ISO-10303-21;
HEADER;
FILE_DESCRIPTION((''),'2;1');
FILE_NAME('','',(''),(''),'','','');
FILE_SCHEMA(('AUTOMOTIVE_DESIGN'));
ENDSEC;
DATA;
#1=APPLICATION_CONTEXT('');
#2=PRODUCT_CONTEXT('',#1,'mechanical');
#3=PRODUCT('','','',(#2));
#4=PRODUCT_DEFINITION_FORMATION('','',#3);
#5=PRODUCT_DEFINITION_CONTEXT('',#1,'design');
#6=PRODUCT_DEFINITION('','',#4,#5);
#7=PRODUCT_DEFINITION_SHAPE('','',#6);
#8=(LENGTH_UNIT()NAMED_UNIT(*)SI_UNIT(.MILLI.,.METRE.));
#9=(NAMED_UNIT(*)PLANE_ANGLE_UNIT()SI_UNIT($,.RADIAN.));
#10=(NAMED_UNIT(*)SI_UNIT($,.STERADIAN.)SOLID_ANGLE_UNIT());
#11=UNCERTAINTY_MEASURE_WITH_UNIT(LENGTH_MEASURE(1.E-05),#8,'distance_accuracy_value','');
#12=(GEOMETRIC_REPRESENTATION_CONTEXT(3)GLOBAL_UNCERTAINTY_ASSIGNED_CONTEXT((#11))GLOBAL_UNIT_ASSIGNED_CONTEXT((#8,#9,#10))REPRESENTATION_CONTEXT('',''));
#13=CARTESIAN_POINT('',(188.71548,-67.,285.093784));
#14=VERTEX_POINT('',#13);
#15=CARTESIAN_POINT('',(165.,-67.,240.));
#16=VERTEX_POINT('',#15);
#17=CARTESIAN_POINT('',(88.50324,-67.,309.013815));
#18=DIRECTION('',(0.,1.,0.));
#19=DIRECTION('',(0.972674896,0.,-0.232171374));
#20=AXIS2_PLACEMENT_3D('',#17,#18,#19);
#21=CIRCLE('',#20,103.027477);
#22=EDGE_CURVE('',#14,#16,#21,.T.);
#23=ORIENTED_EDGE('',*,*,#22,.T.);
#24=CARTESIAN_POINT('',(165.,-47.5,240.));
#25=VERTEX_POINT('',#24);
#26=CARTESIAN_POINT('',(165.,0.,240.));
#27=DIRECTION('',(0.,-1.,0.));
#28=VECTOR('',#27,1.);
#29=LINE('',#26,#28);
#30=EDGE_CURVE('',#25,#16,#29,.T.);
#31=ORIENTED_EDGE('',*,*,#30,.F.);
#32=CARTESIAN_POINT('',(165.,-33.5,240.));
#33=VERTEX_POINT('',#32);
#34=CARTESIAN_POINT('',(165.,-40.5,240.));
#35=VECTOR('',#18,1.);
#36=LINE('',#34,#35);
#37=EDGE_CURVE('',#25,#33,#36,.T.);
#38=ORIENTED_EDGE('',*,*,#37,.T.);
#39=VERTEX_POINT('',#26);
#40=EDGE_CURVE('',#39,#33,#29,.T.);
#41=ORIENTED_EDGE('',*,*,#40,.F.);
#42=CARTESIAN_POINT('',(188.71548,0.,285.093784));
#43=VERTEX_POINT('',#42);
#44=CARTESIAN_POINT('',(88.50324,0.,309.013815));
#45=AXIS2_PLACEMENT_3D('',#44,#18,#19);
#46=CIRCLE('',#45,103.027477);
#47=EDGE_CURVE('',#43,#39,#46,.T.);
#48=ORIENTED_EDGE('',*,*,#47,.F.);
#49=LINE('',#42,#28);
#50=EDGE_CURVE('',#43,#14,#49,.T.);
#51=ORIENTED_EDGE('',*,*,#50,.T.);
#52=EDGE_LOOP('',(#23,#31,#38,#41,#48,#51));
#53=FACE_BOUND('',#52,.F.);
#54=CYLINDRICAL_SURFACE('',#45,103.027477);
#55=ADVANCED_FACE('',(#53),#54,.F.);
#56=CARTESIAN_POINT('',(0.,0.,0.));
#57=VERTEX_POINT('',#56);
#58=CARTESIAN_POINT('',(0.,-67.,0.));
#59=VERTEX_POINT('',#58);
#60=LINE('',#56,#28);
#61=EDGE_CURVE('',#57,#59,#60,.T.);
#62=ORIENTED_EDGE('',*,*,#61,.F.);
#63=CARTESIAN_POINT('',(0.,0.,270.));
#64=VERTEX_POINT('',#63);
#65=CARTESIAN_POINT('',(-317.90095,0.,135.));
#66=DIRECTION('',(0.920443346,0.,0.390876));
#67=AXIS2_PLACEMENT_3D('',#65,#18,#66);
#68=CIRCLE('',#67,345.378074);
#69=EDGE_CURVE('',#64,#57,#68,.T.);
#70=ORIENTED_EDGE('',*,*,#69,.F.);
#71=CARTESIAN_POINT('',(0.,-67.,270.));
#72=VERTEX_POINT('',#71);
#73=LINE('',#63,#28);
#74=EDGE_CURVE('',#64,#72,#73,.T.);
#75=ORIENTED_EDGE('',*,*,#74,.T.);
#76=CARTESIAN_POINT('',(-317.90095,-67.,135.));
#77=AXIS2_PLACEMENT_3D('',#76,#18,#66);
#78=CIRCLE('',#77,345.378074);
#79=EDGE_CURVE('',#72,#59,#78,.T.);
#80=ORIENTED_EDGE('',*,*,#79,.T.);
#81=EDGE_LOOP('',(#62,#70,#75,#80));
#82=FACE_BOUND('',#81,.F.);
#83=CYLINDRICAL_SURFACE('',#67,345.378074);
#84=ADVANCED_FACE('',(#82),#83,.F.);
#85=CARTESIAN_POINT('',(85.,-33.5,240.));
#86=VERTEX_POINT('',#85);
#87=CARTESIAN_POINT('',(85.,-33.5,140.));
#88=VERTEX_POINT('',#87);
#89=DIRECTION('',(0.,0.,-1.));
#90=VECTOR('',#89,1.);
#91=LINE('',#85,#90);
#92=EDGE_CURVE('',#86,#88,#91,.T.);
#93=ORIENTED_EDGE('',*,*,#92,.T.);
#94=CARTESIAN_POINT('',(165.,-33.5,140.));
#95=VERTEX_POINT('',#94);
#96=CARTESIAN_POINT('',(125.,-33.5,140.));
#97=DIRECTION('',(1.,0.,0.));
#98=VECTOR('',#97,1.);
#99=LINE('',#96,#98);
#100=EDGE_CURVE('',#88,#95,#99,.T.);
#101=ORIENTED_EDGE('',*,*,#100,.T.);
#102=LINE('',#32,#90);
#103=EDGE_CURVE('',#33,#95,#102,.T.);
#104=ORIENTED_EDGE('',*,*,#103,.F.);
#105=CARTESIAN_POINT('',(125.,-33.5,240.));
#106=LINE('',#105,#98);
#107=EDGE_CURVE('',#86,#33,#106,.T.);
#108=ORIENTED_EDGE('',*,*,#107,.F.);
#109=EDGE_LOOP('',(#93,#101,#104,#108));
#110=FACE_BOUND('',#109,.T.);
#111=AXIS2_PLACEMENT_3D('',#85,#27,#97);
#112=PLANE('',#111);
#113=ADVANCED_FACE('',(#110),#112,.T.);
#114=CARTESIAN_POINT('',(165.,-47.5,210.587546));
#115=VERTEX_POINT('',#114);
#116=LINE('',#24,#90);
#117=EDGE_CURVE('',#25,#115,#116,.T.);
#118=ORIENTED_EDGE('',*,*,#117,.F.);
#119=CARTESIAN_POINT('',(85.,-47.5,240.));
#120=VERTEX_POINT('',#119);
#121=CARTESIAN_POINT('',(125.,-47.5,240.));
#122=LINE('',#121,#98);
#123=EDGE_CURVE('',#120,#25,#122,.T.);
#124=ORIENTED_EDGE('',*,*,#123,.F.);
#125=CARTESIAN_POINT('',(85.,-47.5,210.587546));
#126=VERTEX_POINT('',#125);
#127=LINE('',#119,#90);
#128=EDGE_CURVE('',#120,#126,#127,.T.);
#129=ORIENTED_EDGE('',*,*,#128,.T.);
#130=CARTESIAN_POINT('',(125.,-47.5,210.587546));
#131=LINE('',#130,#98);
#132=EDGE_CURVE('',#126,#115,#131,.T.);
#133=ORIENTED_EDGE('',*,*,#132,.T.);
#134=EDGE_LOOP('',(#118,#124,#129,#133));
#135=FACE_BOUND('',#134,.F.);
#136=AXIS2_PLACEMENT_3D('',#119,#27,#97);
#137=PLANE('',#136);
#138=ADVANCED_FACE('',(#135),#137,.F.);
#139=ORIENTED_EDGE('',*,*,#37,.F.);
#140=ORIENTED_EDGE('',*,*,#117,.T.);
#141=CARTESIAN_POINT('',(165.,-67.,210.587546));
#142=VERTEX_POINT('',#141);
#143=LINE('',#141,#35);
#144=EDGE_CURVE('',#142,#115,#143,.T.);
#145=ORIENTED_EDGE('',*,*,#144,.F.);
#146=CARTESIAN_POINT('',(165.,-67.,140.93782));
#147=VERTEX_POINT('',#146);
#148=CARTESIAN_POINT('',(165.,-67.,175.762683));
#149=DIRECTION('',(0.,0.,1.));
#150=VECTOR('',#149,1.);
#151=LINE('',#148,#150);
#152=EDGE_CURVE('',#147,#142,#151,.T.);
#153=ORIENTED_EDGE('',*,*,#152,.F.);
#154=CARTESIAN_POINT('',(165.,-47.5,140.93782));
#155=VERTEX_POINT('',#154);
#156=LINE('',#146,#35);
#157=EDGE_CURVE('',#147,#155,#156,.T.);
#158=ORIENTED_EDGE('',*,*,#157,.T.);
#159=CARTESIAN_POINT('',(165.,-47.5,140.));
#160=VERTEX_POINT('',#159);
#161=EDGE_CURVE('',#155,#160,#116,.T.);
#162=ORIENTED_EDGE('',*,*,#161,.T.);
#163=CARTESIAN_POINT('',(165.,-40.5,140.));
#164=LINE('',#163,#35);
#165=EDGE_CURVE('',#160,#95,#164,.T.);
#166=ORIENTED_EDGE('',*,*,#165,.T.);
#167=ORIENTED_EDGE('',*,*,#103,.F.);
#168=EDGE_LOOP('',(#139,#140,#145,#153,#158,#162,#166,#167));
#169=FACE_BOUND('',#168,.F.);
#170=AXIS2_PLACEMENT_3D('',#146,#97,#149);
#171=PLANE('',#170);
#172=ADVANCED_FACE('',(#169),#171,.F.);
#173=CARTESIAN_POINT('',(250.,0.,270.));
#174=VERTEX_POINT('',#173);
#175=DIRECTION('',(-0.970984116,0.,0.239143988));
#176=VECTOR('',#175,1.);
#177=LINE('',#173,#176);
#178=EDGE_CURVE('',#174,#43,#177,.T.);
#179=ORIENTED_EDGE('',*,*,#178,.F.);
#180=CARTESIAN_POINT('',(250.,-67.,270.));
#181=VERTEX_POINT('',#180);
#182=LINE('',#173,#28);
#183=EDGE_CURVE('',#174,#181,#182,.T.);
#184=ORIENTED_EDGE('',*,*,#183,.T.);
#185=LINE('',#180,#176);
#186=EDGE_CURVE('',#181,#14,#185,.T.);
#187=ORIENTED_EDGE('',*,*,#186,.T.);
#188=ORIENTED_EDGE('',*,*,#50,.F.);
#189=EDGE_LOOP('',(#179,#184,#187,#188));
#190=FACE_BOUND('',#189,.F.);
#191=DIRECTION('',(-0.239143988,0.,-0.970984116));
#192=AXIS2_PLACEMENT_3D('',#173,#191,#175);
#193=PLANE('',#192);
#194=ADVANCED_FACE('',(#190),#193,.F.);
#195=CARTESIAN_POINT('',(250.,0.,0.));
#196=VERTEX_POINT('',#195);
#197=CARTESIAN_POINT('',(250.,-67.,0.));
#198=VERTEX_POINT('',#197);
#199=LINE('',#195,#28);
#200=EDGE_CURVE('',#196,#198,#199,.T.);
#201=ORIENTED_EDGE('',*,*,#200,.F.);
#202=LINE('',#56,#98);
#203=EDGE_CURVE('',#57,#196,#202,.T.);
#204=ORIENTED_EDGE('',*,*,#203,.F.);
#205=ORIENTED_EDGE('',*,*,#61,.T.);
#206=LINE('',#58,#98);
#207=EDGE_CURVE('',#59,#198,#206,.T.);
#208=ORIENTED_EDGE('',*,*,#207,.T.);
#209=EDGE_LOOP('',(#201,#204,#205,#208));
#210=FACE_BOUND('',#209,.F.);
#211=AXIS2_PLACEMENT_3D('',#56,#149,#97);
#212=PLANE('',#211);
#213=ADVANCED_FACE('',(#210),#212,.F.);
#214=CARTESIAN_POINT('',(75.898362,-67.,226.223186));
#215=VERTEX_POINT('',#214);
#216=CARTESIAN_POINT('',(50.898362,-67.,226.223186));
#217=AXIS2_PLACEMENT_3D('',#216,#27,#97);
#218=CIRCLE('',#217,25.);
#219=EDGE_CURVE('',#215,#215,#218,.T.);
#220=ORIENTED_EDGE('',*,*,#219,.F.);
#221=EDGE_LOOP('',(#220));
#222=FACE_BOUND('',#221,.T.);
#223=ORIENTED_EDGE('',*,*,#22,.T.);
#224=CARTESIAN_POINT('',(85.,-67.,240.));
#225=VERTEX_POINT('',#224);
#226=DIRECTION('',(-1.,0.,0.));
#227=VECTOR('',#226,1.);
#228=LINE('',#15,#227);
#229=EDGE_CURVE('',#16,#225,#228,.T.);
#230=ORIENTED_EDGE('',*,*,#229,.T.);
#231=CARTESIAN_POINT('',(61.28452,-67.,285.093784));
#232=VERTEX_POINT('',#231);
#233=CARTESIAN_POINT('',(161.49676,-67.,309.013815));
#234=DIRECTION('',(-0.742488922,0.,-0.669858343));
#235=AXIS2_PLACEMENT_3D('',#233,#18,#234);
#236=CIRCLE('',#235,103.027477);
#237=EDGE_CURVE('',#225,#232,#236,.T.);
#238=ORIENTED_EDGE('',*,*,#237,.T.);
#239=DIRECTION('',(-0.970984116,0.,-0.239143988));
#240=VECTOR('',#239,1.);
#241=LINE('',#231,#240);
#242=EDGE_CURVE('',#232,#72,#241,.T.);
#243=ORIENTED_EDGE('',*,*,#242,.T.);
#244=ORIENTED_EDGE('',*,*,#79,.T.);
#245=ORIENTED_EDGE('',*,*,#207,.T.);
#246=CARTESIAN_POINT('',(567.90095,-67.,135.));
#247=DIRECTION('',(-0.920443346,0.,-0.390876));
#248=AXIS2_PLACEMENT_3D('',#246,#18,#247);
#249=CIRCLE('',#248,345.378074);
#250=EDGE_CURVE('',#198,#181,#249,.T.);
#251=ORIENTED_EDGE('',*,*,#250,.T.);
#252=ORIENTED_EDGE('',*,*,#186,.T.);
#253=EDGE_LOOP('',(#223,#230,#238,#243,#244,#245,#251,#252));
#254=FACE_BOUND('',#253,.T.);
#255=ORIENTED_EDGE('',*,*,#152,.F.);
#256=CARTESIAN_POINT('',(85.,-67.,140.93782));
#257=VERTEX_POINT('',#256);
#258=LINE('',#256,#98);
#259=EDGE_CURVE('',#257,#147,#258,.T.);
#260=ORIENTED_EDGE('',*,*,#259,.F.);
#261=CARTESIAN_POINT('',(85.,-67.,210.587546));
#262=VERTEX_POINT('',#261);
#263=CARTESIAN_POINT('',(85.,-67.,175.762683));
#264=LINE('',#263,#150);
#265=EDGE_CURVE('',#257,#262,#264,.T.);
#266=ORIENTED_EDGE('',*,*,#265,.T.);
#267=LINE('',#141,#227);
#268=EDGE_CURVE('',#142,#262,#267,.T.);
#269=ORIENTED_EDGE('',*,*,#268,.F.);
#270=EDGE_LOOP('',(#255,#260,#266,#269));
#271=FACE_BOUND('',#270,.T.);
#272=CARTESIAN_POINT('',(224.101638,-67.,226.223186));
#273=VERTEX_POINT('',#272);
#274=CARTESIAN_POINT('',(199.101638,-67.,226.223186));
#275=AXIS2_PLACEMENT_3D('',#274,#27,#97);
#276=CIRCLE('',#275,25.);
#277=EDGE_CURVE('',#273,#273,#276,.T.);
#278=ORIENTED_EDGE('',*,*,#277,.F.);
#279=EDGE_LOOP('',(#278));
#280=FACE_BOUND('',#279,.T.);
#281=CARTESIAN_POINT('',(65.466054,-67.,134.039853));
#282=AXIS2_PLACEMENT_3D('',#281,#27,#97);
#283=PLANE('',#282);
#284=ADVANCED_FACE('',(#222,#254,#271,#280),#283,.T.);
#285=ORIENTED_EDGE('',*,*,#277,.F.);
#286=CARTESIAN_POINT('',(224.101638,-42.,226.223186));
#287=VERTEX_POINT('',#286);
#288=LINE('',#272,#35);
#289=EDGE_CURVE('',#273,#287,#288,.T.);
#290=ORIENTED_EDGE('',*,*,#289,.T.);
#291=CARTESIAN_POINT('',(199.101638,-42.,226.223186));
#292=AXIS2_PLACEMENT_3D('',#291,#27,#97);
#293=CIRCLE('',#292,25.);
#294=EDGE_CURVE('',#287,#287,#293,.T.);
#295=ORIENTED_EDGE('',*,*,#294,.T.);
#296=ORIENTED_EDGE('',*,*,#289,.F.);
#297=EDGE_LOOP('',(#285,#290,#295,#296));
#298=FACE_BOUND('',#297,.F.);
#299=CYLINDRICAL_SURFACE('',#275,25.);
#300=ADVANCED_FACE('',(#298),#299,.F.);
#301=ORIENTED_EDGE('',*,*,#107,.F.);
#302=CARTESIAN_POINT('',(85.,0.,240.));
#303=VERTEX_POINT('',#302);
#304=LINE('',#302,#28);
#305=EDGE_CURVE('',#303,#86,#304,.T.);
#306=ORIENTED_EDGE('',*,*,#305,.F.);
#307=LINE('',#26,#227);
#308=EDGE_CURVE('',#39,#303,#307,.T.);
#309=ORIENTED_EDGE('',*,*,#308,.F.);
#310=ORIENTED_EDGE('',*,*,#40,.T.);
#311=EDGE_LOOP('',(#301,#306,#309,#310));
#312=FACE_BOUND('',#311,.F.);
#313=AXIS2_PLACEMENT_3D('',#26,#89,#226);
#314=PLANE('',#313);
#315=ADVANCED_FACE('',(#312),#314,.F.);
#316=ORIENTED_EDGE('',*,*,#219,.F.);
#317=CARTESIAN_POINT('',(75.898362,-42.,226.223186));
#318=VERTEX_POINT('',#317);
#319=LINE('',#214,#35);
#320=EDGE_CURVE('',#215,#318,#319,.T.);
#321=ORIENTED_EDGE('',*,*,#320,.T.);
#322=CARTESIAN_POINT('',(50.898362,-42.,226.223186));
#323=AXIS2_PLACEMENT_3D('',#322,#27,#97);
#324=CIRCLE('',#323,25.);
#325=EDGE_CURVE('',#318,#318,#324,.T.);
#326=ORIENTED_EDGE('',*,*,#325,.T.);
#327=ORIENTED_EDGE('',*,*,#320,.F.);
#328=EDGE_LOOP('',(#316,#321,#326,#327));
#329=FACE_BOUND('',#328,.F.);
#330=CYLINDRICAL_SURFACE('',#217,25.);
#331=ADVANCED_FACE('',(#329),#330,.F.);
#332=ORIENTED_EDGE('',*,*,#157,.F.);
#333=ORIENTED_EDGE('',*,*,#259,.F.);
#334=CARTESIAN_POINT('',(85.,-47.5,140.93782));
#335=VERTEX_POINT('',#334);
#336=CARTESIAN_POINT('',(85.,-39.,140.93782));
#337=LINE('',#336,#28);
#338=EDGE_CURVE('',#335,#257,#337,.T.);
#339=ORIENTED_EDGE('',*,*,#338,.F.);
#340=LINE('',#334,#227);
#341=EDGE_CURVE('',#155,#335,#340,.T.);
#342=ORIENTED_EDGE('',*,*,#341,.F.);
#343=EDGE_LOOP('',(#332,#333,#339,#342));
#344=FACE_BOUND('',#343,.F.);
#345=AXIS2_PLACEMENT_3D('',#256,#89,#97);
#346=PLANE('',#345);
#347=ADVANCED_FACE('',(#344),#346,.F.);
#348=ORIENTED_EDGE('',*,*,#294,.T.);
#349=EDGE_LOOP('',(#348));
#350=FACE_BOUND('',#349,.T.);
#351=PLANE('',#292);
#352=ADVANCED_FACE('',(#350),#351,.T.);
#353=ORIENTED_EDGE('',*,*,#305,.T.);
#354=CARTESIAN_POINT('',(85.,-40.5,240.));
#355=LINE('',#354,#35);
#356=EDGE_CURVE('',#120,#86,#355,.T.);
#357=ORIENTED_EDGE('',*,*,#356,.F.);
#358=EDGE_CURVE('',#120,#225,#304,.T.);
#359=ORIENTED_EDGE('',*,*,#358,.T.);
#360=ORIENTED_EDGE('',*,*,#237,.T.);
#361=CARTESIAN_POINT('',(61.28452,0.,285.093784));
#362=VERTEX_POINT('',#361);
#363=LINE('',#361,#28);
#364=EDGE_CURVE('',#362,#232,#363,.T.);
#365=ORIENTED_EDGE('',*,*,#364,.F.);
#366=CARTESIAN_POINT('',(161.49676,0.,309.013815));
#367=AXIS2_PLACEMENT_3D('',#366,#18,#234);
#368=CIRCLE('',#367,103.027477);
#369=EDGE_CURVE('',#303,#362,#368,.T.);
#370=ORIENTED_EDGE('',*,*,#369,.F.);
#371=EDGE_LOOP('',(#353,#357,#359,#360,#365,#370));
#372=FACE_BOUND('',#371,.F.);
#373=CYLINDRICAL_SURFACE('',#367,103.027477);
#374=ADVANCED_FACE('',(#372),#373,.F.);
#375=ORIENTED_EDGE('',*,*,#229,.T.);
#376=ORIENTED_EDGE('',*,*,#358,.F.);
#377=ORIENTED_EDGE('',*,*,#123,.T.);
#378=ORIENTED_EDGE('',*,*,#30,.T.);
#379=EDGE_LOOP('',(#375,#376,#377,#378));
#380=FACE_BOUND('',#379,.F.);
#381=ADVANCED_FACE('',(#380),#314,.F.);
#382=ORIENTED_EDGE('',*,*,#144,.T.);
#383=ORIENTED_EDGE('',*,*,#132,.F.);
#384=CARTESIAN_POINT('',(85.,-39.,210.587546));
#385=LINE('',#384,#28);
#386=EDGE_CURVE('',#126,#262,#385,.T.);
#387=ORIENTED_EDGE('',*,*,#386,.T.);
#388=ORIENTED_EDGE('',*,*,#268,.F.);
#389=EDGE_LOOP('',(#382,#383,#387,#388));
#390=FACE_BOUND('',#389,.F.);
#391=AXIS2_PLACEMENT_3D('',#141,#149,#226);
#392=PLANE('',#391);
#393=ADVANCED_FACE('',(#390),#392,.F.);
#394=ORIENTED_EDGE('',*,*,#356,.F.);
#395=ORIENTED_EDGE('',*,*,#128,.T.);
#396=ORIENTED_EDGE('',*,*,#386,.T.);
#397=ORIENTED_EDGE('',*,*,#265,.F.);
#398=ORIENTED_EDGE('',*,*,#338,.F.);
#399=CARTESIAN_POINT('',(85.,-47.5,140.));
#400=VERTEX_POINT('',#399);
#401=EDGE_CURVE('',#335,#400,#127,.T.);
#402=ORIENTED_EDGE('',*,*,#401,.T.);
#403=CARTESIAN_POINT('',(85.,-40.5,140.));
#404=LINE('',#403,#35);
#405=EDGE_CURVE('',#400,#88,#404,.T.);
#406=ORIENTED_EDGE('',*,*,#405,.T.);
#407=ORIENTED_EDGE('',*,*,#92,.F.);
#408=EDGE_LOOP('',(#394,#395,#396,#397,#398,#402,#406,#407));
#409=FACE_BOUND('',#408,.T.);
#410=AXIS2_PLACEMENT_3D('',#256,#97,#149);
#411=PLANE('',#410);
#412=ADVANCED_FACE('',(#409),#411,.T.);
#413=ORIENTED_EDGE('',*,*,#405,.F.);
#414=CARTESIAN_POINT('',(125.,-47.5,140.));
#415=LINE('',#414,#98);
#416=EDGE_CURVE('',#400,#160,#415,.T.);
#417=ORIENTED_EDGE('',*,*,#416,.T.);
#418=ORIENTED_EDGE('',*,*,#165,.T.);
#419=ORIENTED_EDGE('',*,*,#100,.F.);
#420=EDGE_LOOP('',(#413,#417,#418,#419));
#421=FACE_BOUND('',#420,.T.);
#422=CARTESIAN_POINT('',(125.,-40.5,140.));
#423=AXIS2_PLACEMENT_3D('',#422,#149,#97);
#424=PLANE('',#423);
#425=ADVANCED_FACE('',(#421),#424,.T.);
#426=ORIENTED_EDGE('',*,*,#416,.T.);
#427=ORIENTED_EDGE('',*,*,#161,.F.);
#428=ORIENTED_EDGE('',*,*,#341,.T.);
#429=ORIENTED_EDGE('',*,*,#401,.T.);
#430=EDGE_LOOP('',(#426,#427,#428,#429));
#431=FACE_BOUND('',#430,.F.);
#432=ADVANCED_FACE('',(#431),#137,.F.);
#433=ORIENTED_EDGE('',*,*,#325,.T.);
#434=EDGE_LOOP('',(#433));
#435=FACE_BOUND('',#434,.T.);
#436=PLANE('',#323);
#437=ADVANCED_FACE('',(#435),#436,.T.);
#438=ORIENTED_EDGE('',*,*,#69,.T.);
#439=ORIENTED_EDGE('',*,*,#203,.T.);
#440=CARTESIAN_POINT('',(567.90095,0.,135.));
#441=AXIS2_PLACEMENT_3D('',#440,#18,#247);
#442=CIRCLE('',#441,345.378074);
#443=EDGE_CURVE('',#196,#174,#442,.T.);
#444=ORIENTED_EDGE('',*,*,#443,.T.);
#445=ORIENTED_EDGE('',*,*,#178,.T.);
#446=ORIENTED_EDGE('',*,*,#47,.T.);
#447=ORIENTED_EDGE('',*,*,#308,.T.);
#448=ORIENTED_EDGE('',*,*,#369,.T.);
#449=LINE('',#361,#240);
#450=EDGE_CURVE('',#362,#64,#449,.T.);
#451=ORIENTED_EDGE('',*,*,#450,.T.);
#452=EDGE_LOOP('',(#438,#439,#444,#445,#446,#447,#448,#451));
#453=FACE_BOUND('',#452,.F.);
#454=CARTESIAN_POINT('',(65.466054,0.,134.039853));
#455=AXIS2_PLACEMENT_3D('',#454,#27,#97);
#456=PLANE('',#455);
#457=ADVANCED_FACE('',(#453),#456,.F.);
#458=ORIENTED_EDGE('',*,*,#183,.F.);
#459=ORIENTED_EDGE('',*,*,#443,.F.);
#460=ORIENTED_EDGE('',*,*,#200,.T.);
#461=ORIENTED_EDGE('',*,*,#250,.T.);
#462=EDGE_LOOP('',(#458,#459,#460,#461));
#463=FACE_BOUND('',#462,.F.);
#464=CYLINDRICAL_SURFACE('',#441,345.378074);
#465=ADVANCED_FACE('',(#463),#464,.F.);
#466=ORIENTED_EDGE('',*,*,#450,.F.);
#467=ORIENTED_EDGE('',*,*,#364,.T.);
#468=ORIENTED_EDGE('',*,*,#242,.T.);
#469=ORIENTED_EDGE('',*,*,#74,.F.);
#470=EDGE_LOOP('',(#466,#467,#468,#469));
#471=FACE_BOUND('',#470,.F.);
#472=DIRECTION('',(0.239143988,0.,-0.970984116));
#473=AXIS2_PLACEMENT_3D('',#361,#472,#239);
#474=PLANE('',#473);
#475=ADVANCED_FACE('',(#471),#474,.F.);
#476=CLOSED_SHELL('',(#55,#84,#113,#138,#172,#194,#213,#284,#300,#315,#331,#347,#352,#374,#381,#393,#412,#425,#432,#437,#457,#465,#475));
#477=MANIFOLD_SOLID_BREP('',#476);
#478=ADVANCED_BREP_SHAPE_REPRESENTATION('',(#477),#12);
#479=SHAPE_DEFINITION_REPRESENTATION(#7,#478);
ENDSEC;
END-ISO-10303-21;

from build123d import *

# Parameters (mm, degrees)
F1_DEPTH = 67
F2_W     = 40
F2_H     = 69.649726
F3_DEPTH = 28
F2_R     = 25
F4_DEPTH = 25
F5_W     = 80
F5_H     = 14
F6_DEPTH = 100


with BuildPart() as f1:
    # F0 (on Front) → F1 (new body)
    with BuildSketch(Plane.XZ):
        with BuildLine():
            ThreePointArc((0, 270), (27.477124, 135), (0, 0))
            Line((0, 0), (125, 0))
            Line((125, 0), (125, 240))
            Line((125, 240), (85, 240))
            ThreePointArc((85, 240), (70.310796, 261.057784), (61.28452, 285.093784))
            Line((61.28452, 285.093784), (0, 270))
        make_face()
        with BuildLine():
            Line((125, 240), (125, 0))
            Line((125, 0), (250, 0))
            ThreePointArc((250, 0), (222.522876, 135), (250, 270))
            Line((250, 270), (188.71548, 285.093784))
            ThreePointArc((188.71548, 285.093784), (179.689204, 261.057784), (165, 240))
            Line((165, 240), (125, 240))
        make_face()
    extrude(amount=F1_DEPTH)

    # F2 (on face) → F3 (cut)
    with BuildSketch(Plane.XZ.offset(67)):
        with Locations((105, 175.762683)):
            Rectangle(F2_W, F2_H)
        with Locations((145, 175.762683)):
            Rectangle(F2_W, F2_H)
    extrude(amount=-F3_DEPTH, mode=Mode.SUBTRACT)

    # F2 (on face) → F4 (cut)
    with BuildSketch(Plane.XZ.offset(67)):
        with Locations((105, 175.762683)):
            Rectangle(F2_W, F2_H)
        with Locations((145, 175.762683)):
            Rectangle(F2_W, F2_H)
        with Locations((50.898362, 226.223186)):
            Circle(F2_R)
        with Locations((199.101638, 226.223186)):
            Circle(F2_R)
    extrude(amount=-F4_DEPTH, mode=Mode.SUBTRACT)

    # F5 (on face) → F6 (cut)
    with BuildSketch(Plane.XY.offset(240)):
        with Locations((125, -40.5)):
            Rectangle(F5_W, F5_H)
    extrude(amount=-F6_DEPTH, mode=Mode.SUBTRACT)


solid = f1.part
